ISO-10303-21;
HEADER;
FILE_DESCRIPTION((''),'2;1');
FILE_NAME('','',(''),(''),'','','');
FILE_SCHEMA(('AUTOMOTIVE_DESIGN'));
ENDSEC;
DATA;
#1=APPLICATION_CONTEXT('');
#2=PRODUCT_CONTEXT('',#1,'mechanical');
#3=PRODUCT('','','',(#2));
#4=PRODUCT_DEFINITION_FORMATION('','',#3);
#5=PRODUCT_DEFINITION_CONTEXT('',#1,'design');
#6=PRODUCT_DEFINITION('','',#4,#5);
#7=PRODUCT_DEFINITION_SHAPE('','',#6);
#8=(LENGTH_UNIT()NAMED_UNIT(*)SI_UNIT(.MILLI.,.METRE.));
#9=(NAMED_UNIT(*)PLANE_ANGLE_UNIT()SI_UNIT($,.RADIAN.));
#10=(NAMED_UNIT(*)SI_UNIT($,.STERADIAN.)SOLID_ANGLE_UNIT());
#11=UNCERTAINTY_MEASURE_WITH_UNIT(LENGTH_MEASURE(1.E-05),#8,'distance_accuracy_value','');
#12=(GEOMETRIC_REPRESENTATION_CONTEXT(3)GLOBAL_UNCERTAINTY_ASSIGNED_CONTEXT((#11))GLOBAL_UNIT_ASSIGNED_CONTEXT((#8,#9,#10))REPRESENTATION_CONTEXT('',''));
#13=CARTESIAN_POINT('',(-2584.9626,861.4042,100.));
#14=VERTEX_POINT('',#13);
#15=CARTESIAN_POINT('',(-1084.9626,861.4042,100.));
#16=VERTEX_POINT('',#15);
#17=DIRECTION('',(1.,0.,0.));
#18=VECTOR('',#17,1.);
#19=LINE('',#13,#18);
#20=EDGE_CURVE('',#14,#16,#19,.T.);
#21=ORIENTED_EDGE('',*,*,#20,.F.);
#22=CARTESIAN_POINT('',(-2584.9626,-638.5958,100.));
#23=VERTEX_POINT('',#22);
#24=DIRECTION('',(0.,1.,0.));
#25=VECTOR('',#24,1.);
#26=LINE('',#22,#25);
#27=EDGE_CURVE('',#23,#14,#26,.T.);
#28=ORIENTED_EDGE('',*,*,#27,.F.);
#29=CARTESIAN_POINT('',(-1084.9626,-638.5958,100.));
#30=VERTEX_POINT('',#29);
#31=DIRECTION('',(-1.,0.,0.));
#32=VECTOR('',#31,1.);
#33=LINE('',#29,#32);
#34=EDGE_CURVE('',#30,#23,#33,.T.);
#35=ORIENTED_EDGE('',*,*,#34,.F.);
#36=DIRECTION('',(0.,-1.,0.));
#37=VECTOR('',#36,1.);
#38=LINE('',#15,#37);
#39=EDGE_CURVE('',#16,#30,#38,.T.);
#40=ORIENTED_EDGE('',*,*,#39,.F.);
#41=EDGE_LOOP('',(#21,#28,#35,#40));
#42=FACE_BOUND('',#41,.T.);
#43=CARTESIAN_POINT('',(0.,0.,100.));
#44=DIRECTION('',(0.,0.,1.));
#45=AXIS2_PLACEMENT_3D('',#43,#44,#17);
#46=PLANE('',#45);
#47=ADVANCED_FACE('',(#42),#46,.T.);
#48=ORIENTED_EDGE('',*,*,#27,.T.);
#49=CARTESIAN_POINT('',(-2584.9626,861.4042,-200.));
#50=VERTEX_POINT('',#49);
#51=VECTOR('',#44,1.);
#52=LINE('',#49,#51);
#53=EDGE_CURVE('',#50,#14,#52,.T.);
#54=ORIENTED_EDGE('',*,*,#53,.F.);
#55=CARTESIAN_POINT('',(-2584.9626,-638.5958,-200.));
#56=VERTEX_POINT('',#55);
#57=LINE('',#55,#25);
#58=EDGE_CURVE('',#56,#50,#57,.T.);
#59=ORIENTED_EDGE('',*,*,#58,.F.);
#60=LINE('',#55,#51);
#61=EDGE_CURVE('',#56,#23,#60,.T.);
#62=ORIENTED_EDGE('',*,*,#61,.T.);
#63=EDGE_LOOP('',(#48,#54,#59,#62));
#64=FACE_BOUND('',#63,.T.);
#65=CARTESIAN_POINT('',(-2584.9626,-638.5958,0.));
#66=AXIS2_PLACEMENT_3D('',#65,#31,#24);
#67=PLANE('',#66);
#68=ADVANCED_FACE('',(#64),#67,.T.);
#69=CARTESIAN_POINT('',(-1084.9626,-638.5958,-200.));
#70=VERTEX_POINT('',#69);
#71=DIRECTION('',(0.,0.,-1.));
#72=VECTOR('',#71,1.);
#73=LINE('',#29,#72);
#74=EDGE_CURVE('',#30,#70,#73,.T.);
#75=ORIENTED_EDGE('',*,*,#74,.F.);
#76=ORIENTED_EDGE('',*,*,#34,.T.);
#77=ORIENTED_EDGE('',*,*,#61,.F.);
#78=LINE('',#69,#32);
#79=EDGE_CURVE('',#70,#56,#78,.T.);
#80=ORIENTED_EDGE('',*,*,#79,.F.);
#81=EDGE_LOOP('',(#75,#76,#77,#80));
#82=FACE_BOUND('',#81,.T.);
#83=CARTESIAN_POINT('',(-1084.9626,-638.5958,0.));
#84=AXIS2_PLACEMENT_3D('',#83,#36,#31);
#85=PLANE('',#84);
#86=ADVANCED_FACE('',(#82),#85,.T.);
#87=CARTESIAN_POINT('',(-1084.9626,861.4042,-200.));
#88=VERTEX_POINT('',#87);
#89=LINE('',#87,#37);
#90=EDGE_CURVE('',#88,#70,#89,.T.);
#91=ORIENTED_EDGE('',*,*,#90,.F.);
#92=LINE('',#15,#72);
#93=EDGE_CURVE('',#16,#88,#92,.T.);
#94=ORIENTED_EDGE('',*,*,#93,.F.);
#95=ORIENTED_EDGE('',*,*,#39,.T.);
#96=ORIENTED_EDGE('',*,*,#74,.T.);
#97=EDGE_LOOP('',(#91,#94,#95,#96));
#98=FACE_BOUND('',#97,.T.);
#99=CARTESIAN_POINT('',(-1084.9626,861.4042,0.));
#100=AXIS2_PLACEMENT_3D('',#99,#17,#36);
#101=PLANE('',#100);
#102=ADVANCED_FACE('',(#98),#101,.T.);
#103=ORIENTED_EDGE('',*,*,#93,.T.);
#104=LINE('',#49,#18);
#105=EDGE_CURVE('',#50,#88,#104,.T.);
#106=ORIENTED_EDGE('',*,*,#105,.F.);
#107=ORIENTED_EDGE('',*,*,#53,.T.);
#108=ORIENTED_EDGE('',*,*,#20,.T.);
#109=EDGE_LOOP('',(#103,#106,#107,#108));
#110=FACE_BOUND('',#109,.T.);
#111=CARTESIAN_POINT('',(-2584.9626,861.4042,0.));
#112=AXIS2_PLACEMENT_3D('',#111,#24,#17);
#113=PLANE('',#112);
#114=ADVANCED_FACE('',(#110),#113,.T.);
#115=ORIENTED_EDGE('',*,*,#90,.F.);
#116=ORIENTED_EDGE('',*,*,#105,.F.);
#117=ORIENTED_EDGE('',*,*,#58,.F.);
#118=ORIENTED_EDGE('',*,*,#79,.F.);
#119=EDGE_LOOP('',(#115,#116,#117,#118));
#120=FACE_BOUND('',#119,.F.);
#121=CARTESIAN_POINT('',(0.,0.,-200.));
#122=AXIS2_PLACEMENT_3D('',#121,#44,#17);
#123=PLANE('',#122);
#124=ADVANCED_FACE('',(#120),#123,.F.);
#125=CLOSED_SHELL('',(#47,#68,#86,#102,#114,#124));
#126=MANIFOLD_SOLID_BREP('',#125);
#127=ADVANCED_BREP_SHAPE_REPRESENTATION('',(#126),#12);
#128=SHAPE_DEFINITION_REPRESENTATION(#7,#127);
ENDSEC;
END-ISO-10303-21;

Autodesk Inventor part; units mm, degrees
ref_plane "YZ Plane" through (0, 0, 0) normal (1, 0, 0) x (0, 1, 0)
ref_plane "XZ Plane" through (0, 0, 0) normal (0, 1, 0) x (-1, 0, 0)
ref_plane "XY Plane" through (0, 0, 0) normal (0, 0, 1) x (1, 0, 0)
sketch "Sketch1" plane through (0, 0, 0) normal (0, 0, 1) x (1, 0, 0)
  line L0 (-2584.9626, 861.4042) -> (-1084.9626, 861.4042)
  line L1 (-1084.9626, 861.4042) -> (-1084.9626, -638.5958)
  line L2 (-1084.9626, -638.5958) -> (-2584.9626, -638.5958)
  line L3 (-2584.9626, -638.5958) -> (-2584.9626, 861.4042)
  point P0 (0, 0)
  dimension "d0" = 1500
  dimension "d1" = 1500
extrude "Extrusion1" add sketch "Sketch1" along normal blind 100 and the other way blind 200
properties part number "LpmsB2"
